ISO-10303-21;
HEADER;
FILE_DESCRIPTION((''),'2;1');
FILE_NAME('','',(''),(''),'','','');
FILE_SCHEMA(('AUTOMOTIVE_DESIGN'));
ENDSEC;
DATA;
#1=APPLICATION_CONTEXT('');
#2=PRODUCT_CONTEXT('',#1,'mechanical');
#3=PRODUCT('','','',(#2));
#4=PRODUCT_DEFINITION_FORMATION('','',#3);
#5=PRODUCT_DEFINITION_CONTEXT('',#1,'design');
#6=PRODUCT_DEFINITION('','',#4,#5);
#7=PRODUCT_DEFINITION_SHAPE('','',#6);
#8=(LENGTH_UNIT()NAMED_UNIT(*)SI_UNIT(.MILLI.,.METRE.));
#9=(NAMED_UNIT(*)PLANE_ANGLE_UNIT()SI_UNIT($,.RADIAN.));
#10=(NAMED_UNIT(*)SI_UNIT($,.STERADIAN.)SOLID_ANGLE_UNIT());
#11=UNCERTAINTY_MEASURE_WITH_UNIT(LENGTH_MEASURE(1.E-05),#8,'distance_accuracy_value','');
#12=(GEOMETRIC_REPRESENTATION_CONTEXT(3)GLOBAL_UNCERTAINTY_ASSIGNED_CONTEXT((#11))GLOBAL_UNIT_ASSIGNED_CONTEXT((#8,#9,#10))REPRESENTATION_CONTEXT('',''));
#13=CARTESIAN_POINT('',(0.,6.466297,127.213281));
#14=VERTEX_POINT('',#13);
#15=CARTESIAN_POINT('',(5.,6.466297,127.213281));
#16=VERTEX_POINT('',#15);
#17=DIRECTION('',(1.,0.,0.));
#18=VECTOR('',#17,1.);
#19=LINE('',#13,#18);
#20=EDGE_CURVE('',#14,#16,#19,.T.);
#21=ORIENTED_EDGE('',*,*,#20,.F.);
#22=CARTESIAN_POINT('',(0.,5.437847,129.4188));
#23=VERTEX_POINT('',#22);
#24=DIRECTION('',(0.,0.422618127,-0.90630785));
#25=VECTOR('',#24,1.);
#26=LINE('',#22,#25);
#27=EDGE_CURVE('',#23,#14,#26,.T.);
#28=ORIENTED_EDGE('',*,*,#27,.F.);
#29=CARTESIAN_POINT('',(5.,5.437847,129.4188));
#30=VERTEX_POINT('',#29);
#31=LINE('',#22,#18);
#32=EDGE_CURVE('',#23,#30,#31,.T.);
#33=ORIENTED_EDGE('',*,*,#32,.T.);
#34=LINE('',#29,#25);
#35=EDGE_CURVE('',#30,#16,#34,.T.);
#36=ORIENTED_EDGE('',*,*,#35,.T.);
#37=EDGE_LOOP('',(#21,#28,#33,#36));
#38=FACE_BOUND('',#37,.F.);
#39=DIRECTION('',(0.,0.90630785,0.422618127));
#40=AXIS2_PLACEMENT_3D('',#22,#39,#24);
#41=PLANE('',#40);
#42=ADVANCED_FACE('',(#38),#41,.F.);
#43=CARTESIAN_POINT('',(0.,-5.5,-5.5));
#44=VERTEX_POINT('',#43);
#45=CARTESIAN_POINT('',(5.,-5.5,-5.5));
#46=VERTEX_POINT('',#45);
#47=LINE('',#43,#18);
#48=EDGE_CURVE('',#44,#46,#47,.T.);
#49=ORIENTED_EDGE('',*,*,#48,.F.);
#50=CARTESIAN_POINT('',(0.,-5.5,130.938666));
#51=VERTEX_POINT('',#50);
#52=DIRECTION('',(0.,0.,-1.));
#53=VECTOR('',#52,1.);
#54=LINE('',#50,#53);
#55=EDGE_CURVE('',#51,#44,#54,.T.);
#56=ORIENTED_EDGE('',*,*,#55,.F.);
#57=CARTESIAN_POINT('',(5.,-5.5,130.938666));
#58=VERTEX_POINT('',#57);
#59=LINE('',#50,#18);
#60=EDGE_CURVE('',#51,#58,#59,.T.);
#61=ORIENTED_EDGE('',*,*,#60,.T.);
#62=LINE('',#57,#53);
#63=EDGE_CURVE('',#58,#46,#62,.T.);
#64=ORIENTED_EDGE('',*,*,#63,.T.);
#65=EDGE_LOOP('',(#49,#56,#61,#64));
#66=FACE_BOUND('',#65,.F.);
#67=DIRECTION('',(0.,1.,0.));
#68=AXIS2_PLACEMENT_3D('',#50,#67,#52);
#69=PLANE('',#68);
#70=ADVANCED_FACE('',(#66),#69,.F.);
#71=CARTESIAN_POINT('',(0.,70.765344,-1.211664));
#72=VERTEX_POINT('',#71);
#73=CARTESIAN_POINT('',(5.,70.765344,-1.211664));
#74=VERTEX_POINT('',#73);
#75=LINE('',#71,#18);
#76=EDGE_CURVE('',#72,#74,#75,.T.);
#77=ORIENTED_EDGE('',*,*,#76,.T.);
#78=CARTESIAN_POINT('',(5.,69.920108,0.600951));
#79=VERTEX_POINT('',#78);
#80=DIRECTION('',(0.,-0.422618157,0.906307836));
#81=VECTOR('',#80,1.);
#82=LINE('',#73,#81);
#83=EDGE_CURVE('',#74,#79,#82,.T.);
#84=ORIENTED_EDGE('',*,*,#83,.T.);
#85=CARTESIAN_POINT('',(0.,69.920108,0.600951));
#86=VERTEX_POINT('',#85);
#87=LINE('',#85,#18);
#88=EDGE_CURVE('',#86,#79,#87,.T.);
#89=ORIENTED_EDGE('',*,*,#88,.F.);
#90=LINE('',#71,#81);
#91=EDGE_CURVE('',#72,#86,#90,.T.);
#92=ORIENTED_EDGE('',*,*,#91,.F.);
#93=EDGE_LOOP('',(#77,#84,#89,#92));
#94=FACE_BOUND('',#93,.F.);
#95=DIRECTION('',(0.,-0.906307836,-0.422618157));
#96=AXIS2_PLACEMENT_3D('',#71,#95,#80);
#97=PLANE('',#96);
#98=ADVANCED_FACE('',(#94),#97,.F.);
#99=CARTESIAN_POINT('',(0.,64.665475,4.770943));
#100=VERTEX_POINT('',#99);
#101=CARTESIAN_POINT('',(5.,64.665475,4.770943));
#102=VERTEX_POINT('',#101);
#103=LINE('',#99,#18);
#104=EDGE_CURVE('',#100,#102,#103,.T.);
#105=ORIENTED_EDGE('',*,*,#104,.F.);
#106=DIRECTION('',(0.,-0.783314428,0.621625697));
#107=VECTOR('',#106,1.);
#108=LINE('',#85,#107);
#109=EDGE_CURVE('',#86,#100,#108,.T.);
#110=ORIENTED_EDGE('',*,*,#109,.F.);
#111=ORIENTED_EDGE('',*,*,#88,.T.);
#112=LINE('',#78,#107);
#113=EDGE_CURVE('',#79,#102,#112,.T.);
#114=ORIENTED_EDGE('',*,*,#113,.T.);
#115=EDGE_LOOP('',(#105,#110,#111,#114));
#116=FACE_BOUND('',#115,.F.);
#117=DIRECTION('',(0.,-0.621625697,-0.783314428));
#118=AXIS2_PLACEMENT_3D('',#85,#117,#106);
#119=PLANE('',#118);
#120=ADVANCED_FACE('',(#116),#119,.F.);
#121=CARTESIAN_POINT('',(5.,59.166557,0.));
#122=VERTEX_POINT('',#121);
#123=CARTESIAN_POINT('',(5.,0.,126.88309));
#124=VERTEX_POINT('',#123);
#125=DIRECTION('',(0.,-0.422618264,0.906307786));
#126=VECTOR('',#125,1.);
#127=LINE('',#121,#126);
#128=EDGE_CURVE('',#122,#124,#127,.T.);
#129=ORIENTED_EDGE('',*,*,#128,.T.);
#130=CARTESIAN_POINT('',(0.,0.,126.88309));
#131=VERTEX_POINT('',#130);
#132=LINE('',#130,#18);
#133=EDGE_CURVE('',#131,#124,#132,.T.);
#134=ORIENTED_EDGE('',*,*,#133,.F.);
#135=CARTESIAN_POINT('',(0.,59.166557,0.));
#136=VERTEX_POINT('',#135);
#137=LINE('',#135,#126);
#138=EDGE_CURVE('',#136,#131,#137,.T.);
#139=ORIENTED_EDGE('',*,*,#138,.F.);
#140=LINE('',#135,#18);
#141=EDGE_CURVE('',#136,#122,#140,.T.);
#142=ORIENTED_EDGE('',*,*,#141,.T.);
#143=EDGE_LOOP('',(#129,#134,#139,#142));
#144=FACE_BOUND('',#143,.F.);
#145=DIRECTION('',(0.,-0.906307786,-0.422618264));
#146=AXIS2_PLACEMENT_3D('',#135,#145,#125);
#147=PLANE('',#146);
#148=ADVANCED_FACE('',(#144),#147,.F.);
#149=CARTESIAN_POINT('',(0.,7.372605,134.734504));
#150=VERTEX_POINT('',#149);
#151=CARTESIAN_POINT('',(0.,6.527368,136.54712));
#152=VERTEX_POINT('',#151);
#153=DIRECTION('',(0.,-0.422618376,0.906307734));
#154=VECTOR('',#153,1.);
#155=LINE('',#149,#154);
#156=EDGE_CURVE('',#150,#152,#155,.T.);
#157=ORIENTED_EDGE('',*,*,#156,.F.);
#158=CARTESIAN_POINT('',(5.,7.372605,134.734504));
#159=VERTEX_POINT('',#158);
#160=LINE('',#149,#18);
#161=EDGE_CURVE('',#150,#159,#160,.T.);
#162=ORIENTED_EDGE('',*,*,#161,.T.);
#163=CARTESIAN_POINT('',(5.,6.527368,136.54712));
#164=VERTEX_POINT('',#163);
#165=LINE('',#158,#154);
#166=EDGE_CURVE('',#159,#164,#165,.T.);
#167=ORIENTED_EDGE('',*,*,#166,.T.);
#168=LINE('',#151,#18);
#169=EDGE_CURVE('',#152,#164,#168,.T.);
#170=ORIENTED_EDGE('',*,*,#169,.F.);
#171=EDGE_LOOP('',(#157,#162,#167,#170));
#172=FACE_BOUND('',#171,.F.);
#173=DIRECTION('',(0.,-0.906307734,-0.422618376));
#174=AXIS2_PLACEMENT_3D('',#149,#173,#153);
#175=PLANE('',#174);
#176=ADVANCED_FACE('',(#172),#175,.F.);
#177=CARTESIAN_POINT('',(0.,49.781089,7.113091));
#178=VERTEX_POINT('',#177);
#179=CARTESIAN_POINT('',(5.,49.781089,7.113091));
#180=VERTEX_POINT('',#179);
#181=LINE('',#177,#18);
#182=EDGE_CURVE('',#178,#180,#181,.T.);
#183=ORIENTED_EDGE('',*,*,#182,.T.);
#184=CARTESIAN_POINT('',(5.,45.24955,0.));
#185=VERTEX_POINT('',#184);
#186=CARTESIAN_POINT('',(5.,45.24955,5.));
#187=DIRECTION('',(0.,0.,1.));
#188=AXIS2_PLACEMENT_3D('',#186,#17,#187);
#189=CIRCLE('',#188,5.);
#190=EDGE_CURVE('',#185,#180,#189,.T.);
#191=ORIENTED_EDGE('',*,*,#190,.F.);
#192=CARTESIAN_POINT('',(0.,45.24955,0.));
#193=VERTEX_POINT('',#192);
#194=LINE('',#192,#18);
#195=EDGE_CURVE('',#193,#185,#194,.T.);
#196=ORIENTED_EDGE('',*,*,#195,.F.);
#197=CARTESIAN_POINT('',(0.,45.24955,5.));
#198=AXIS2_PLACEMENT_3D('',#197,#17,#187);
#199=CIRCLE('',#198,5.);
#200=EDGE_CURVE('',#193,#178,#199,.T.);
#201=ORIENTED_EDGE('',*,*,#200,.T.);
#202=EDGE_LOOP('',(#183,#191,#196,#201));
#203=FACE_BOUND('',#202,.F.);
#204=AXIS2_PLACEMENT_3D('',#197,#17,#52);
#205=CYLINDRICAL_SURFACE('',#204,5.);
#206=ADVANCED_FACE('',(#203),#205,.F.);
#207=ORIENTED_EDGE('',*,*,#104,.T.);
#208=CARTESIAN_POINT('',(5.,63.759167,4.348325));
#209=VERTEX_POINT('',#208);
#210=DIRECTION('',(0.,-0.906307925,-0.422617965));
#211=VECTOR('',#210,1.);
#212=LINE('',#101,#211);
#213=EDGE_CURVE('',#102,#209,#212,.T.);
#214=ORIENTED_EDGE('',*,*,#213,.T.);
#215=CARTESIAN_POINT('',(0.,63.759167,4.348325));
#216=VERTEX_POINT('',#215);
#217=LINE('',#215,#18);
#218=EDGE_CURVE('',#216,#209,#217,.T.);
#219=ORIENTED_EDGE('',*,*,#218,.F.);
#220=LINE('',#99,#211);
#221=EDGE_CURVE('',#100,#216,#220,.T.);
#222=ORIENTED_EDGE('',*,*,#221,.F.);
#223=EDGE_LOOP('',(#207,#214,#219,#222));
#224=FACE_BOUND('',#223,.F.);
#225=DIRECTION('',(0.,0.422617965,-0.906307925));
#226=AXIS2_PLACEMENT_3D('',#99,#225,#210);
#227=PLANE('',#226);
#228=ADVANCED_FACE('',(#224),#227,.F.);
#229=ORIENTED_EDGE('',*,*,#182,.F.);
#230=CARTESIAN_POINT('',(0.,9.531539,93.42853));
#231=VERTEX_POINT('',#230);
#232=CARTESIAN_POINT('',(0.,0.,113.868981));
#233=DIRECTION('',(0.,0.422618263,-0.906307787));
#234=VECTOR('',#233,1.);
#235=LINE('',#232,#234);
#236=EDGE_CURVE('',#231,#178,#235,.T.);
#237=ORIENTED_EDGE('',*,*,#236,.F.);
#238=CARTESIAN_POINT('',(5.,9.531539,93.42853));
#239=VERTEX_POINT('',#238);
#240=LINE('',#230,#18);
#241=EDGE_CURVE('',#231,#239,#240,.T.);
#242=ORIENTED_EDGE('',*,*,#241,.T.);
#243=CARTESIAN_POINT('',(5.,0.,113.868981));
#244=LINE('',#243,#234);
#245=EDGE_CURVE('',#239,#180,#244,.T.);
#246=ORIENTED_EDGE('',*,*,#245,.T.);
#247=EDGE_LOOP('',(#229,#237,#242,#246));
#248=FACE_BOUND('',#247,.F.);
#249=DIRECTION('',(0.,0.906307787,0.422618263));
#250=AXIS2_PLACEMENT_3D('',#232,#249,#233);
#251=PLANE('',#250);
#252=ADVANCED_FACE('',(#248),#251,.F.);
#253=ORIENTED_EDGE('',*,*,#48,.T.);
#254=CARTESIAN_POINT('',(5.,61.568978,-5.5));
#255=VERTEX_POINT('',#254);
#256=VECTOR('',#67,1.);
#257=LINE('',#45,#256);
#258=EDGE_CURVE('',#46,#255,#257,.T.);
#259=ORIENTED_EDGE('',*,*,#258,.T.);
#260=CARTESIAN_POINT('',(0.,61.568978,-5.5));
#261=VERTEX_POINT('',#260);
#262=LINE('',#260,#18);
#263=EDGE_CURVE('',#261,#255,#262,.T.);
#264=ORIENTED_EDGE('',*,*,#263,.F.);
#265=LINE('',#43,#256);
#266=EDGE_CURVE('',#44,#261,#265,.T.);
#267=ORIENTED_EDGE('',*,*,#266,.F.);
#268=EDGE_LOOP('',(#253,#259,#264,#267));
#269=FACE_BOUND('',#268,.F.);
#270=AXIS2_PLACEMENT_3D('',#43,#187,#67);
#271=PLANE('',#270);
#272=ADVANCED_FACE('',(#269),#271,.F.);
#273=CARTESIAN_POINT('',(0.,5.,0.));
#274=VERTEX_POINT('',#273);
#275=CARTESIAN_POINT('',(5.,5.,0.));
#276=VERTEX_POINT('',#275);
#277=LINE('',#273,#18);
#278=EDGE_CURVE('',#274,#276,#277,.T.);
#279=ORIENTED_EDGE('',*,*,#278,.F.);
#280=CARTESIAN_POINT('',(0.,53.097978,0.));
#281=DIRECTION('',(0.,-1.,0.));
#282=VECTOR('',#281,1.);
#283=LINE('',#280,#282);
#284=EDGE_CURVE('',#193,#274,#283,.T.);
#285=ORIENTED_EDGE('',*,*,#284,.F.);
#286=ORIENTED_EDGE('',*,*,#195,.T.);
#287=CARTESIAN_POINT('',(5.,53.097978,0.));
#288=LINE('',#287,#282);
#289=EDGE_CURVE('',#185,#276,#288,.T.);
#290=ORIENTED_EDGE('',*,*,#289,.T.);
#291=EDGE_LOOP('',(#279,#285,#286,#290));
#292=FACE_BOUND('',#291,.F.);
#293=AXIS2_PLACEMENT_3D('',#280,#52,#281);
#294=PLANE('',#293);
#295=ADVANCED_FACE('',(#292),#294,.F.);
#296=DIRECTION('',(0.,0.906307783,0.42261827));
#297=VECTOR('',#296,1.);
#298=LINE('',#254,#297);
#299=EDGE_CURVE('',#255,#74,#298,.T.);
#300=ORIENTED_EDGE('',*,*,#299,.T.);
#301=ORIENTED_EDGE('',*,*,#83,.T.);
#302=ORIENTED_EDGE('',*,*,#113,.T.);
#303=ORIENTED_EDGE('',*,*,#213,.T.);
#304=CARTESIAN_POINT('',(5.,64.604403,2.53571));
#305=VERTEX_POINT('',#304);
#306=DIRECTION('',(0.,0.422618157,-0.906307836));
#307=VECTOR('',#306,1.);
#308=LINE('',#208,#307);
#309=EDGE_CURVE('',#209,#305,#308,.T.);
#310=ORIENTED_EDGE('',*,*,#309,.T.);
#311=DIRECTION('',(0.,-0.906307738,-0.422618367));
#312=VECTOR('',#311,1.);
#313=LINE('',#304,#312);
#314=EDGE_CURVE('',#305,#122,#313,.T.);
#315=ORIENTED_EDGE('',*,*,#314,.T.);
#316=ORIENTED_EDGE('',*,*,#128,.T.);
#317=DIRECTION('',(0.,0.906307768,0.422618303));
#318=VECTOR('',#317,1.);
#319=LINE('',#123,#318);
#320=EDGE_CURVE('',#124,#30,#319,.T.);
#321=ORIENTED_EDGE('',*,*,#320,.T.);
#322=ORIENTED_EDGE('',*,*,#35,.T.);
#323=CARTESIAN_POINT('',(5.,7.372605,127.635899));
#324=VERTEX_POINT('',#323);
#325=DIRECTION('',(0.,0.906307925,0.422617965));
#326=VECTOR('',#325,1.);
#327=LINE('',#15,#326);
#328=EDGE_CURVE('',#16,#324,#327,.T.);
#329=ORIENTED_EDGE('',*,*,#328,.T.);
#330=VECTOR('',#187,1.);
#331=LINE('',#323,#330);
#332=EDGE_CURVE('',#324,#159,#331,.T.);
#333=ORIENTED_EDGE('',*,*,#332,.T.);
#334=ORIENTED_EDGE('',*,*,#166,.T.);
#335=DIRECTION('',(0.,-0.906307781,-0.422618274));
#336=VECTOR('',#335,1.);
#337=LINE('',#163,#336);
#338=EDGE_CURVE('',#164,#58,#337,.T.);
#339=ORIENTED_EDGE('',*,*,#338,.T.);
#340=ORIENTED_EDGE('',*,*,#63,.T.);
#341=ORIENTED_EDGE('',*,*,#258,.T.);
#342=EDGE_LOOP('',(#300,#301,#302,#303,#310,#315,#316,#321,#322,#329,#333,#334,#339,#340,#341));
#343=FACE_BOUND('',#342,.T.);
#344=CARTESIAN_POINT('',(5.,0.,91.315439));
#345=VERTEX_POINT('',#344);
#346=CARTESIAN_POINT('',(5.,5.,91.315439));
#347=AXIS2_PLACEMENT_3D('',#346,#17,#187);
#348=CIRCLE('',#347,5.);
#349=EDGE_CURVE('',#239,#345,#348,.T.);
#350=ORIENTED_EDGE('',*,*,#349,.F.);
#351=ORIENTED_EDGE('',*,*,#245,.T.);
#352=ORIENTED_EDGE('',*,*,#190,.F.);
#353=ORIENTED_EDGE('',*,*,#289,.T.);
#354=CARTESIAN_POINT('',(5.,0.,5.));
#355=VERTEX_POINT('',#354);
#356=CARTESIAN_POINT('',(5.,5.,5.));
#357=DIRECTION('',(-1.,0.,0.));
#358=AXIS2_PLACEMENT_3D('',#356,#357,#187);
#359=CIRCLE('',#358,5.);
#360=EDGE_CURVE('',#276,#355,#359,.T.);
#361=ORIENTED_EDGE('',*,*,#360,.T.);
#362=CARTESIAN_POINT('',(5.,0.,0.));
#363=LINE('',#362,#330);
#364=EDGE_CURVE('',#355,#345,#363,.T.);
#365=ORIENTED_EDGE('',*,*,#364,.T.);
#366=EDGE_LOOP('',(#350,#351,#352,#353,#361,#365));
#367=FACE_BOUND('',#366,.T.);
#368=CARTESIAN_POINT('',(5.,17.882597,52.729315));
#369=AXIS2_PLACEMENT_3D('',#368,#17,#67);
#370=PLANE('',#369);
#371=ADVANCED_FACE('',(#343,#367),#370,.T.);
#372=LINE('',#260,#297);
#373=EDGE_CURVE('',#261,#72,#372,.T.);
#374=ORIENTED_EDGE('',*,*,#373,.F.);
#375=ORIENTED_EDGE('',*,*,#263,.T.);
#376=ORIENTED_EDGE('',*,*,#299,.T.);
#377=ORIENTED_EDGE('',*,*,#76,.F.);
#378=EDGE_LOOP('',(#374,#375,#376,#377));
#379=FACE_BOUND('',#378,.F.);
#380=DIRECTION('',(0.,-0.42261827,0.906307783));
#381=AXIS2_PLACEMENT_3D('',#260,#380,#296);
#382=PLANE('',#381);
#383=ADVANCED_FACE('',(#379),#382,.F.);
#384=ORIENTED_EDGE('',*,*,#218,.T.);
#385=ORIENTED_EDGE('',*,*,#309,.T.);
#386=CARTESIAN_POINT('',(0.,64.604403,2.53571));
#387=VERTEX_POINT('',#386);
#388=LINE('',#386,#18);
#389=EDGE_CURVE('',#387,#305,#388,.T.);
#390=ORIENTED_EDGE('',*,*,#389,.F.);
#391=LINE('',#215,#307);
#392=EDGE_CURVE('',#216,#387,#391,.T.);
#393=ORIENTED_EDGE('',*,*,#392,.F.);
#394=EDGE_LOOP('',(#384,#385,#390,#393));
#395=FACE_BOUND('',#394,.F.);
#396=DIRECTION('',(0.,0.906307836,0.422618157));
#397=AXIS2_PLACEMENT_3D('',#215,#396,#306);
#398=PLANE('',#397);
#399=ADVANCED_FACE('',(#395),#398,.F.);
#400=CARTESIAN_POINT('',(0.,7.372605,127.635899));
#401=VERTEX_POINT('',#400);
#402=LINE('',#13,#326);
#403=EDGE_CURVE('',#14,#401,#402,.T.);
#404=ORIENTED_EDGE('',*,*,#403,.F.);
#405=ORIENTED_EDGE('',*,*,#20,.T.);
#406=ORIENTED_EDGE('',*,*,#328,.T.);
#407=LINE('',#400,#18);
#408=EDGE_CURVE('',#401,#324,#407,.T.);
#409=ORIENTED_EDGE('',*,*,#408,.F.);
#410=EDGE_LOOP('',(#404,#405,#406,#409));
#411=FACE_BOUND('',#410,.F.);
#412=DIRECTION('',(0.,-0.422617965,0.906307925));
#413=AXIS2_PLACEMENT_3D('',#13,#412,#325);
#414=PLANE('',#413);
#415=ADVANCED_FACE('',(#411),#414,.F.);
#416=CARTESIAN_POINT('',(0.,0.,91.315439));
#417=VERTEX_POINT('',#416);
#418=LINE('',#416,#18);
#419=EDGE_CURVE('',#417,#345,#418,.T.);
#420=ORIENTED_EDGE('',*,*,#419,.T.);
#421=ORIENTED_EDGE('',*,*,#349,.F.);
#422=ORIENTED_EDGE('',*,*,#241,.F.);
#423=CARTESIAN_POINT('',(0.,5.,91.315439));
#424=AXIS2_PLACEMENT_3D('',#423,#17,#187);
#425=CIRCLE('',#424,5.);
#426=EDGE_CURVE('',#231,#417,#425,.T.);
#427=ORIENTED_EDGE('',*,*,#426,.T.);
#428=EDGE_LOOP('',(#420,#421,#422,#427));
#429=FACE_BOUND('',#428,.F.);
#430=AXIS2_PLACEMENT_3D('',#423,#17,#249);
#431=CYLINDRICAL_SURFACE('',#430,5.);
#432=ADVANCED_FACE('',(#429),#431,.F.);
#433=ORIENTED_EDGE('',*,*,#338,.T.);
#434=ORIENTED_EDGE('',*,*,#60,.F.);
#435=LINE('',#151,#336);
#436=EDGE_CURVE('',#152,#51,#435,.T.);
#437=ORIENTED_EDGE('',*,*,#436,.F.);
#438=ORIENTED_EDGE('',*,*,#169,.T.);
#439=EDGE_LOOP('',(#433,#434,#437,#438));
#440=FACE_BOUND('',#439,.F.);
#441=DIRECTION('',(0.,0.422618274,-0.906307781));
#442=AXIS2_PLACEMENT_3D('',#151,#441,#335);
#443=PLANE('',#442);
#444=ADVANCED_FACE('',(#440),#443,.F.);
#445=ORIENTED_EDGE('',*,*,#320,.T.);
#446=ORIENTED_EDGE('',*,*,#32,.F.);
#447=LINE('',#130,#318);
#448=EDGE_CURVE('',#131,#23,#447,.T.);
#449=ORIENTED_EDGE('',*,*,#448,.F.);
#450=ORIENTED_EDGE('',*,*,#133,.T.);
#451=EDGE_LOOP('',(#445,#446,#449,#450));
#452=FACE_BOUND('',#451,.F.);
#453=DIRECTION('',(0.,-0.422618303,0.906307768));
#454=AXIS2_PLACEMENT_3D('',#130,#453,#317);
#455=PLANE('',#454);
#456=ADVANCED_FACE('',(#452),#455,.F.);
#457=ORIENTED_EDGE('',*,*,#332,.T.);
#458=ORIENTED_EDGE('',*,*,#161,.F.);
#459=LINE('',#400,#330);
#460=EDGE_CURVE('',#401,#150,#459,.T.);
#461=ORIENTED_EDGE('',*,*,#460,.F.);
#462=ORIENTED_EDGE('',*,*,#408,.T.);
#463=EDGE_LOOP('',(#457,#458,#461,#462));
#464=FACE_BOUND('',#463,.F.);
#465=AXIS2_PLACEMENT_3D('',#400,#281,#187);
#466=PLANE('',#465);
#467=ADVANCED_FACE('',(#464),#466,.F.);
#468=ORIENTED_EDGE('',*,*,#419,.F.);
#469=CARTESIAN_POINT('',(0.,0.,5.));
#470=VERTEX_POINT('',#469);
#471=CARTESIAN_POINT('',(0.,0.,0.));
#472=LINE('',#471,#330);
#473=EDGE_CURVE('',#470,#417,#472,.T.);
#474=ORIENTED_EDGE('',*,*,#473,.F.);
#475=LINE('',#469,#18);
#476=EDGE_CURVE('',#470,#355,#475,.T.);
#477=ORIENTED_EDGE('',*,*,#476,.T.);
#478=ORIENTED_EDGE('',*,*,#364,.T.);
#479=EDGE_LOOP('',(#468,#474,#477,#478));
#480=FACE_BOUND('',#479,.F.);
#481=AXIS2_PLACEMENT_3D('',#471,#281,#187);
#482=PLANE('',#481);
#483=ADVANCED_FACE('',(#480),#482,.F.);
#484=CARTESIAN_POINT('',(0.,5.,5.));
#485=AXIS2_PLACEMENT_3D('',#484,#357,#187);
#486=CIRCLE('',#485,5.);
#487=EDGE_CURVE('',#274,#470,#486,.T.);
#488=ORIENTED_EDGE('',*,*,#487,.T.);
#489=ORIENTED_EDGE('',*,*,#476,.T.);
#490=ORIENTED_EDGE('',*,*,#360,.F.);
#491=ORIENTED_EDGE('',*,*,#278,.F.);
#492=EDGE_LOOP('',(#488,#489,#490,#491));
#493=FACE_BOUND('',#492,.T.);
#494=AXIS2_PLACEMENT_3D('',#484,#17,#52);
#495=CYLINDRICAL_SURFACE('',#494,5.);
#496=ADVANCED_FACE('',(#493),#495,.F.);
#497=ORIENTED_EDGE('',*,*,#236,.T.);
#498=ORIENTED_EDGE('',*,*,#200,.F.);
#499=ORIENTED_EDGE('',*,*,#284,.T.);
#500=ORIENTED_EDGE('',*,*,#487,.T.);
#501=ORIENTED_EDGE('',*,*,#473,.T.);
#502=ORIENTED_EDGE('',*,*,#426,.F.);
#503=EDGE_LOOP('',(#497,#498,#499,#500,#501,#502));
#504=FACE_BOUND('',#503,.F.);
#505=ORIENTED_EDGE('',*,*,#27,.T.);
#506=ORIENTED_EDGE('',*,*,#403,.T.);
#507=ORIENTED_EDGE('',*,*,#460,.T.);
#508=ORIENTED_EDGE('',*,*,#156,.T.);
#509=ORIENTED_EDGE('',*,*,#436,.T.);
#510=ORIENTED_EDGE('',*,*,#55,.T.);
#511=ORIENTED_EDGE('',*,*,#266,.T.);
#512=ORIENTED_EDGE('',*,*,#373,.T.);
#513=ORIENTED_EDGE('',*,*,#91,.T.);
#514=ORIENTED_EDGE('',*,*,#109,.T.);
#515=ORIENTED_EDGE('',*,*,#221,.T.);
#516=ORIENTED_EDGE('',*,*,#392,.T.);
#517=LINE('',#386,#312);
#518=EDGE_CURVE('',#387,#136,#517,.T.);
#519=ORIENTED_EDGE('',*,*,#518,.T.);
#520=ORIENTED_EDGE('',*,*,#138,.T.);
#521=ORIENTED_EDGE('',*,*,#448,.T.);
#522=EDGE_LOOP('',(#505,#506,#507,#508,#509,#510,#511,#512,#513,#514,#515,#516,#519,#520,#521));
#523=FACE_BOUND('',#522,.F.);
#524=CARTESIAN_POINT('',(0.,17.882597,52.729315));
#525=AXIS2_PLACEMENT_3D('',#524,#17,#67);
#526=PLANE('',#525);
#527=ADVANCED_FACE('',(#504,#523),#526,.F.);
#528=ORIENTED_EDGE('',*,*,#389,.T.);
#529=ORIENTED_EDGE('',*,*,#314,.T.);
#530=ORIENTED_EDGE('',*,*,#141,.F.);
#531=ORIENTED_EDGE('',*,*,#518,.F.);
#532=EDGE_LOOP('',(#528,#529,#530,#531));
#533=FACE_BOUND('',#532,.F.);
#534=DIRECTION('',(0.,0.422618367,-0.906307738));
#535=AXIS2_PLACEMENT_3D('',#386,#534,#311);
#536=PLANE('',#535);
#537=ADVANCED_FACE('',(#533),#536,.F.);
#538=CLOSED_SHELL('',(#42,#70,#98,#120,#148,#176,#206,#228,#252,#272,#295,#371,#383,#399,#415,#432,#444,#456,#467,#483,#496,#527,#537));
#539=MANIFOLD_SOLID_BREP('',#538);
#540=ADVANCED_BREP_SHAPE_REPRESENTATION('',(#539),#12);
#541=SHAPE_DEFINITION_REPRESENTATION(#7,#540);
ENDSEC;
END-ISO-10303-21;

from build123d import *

# Parameters (mm, degrees)
F1_DEPTH = 5
F2_R     = 5


with BuildPart() as f1:
    # F0 (on Right) → F1 (new body)
    with BuildSketch(Plane.YZ):
        Polygon((59.166557, 0), (0, 126.88309), (5.437847, 129.4188), (6.466297, 127.213281), (7.372605, 127.635899), (7.372605, 134.734504), (6.527368, 136.54712), (-5.5, 130.938666), (-5.5, -5.5), (61.568978, -5.5), (70.765344, -1.211664), (69.920108, 0.600951), (64.665475, 4.770943), (63.759167, 4.348325), (64.604403, 2.53571), align=None)
        Polygon((0, 0), (0, 113.868981), (53.097978, 0), align=None, mode=Mode.SUBTRACT)
    extrude(amount=F1_DEPTH)

    # F2
    f2_edges = [f1.edges().sort_by_distance(p)[0] for p in [
        (2.5, 0, 113.868981),
        (2.5, 53.097978, 0),
        (2.5, 0, 0),
    ]]
    fillet(f2_edges, radius=F2_R)


solid = f1.part
